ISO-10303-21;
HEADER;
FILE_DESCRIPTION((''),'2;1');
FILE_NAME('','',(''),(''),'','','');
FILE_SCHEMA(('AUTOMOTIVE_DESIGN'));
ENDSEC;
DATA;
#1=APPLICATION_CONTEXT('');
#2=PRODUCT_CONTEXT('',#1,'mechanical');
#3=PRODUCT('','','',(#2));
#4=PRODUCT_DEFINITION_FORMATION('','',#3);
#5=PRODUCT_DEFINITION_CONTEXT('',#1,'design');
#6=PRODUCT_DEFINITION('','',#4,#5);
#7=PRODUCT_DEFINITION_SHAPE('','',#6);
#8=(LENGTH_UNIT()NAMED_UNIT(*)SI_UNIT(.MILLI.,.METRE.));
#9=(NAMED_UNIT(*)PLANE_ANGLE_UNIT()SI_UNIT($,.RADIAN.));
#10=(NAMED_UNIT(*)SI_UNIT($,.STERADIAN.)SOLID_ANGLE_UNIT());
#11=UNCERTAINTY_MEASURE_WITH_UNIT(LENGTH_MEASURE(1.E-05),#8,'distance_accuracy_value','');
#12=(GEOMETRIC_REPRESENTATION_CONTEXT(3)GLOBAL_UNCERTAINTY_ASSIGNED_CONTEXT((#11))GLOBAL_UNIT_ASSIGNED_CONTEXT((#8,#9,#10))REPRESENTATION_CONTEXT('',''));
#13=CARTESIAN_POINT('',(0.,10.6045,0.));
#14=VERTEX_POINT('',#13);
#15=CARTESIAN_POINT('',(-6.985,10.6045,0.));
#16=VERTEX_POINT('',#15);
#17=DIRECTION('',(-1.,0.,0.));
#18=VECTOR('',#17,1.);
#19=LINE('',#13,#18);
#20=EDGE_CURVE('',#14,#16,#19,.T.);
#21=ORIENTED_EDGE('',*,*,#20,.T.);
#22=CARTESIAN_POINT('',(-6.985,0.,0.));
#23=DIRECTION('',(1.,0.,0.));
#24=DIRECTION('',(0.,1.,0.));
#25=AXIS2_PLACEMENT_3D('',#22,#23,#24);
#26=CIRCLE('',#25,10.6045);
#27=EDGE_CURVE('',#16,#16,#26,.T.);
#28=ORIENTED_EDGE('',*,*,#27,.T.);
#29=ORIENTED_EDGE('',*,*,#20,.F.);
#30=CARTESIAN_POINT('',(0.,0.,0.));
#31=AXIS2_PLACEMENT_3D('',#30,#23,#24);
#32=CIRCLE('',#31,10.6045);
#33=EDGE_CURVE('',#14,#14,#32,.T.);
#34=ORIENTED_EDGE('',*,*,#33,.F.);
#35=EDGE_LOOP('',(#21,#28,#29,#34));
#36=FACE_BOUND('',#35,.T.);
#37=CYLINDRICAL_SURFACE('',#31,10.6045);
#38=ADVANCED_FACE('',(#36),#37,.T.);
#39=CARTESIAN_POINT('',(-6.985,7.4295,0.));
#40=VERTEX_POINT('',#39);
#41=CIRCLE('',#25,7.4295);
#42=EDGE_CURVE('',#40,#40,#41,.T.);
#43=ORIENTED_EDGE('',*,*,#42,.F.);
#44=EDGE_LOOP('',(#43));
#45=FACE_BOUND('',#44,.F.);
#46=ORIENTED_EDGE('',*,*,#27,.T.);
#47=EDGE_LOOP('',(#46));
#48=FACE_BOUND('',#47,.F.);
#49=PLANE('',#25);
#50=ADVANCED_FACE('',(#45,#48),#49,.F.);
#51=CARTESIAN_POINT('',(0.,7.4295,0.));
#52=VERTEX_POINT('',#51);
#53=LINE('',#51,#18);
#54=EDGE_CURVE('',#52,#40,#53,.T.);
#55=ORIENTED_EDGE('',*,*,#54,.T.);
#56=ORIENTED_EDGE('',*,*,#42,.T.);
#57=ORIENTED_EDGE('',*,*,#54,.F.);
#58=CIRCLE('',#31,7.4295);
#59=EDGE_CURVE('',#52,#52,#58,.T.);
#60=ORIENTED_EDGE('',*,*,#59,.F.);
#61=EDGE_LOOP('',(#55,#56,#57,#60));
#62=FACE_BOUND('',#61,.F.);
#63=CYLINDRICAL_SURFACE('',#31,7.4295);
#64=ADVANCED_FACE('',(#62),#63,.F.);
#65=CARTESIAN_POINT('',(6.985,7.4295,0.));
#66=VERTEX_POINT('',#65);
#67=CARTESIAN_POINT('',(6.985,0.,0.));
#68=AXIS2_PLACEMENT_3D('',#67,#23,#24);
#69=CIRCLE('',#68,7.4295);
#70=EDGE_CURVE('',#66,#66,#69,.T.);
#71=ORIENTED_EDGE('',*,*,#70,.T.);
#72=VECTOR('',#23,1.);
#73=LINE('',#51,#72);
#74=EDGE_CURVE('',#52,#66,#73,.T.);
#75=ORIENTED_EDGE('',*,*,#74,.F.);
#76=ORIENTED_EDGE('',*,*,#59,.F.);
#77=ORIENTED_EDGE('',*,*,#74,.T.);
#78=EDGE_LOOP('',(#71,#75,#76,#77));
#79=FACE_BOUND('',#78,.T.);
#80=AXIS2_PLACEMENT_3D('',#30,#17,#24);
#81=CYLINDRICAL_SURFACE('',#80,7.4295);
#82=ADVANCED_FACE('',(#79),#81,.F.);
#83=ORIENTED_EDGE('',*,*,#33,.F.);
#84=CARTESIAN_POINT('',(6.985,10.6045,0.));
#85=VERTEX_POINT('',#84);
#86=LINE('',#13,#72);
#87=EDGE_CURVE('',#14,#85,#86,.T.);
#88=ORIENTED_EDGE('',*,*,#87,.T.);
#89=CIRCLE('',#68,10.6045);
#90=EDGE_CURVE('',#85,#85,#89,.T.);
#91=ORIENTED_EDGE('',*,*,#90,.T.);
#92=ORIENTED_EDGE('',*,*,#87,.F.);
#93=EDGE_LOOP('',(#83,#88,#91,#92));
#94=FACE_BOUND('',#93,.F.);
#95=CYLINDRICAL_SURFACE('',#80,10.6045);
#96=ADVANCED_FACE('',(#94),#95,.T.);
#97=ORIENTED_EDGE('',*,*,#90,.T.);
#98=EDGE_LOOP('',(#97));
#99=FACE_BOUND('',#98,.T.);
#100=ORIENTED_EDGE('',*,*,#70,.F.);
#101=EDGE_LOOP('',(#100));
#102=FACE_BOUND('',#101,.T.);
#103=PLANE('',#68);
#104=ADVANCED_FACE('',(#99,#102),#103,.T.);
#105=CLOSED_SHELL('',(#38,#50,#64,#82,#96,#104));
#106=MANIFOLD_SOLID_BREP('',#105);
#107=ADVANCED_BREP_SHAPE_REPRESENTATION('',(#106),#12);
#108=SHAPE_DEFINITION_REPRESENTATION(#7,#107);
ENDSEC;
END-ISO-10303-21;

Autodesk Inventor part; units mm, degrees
ref_plane "YZ Plane" through (0, 0, 0) normal (1, 0, 0) x (0, 1, 0)
ref_plane "XZ Plane" through (0, 0, 0) normal (0, 1, 0) x (-1, 0, 0)
ref_plane "XY Plane" through (0, 0, 0) normal (0, 0, 1) x (1, 0, 0)
sketch "Sketch1" plane through (0, 0, 0) normal (1, 0, 0) x (0, 1, 0)
  circle A0 centre (0, 0) radius 7.4295
  circle A1 centre (0, 0) radius 10.6045
  dimension "d0" = 14.859
  dimension "d1" = 3.175
extrude "Extrusion1" add sketch "Sketch1" along normal mid plane 13.97
properties part number "EL2-CGB-016" material "ABS Plastic"
